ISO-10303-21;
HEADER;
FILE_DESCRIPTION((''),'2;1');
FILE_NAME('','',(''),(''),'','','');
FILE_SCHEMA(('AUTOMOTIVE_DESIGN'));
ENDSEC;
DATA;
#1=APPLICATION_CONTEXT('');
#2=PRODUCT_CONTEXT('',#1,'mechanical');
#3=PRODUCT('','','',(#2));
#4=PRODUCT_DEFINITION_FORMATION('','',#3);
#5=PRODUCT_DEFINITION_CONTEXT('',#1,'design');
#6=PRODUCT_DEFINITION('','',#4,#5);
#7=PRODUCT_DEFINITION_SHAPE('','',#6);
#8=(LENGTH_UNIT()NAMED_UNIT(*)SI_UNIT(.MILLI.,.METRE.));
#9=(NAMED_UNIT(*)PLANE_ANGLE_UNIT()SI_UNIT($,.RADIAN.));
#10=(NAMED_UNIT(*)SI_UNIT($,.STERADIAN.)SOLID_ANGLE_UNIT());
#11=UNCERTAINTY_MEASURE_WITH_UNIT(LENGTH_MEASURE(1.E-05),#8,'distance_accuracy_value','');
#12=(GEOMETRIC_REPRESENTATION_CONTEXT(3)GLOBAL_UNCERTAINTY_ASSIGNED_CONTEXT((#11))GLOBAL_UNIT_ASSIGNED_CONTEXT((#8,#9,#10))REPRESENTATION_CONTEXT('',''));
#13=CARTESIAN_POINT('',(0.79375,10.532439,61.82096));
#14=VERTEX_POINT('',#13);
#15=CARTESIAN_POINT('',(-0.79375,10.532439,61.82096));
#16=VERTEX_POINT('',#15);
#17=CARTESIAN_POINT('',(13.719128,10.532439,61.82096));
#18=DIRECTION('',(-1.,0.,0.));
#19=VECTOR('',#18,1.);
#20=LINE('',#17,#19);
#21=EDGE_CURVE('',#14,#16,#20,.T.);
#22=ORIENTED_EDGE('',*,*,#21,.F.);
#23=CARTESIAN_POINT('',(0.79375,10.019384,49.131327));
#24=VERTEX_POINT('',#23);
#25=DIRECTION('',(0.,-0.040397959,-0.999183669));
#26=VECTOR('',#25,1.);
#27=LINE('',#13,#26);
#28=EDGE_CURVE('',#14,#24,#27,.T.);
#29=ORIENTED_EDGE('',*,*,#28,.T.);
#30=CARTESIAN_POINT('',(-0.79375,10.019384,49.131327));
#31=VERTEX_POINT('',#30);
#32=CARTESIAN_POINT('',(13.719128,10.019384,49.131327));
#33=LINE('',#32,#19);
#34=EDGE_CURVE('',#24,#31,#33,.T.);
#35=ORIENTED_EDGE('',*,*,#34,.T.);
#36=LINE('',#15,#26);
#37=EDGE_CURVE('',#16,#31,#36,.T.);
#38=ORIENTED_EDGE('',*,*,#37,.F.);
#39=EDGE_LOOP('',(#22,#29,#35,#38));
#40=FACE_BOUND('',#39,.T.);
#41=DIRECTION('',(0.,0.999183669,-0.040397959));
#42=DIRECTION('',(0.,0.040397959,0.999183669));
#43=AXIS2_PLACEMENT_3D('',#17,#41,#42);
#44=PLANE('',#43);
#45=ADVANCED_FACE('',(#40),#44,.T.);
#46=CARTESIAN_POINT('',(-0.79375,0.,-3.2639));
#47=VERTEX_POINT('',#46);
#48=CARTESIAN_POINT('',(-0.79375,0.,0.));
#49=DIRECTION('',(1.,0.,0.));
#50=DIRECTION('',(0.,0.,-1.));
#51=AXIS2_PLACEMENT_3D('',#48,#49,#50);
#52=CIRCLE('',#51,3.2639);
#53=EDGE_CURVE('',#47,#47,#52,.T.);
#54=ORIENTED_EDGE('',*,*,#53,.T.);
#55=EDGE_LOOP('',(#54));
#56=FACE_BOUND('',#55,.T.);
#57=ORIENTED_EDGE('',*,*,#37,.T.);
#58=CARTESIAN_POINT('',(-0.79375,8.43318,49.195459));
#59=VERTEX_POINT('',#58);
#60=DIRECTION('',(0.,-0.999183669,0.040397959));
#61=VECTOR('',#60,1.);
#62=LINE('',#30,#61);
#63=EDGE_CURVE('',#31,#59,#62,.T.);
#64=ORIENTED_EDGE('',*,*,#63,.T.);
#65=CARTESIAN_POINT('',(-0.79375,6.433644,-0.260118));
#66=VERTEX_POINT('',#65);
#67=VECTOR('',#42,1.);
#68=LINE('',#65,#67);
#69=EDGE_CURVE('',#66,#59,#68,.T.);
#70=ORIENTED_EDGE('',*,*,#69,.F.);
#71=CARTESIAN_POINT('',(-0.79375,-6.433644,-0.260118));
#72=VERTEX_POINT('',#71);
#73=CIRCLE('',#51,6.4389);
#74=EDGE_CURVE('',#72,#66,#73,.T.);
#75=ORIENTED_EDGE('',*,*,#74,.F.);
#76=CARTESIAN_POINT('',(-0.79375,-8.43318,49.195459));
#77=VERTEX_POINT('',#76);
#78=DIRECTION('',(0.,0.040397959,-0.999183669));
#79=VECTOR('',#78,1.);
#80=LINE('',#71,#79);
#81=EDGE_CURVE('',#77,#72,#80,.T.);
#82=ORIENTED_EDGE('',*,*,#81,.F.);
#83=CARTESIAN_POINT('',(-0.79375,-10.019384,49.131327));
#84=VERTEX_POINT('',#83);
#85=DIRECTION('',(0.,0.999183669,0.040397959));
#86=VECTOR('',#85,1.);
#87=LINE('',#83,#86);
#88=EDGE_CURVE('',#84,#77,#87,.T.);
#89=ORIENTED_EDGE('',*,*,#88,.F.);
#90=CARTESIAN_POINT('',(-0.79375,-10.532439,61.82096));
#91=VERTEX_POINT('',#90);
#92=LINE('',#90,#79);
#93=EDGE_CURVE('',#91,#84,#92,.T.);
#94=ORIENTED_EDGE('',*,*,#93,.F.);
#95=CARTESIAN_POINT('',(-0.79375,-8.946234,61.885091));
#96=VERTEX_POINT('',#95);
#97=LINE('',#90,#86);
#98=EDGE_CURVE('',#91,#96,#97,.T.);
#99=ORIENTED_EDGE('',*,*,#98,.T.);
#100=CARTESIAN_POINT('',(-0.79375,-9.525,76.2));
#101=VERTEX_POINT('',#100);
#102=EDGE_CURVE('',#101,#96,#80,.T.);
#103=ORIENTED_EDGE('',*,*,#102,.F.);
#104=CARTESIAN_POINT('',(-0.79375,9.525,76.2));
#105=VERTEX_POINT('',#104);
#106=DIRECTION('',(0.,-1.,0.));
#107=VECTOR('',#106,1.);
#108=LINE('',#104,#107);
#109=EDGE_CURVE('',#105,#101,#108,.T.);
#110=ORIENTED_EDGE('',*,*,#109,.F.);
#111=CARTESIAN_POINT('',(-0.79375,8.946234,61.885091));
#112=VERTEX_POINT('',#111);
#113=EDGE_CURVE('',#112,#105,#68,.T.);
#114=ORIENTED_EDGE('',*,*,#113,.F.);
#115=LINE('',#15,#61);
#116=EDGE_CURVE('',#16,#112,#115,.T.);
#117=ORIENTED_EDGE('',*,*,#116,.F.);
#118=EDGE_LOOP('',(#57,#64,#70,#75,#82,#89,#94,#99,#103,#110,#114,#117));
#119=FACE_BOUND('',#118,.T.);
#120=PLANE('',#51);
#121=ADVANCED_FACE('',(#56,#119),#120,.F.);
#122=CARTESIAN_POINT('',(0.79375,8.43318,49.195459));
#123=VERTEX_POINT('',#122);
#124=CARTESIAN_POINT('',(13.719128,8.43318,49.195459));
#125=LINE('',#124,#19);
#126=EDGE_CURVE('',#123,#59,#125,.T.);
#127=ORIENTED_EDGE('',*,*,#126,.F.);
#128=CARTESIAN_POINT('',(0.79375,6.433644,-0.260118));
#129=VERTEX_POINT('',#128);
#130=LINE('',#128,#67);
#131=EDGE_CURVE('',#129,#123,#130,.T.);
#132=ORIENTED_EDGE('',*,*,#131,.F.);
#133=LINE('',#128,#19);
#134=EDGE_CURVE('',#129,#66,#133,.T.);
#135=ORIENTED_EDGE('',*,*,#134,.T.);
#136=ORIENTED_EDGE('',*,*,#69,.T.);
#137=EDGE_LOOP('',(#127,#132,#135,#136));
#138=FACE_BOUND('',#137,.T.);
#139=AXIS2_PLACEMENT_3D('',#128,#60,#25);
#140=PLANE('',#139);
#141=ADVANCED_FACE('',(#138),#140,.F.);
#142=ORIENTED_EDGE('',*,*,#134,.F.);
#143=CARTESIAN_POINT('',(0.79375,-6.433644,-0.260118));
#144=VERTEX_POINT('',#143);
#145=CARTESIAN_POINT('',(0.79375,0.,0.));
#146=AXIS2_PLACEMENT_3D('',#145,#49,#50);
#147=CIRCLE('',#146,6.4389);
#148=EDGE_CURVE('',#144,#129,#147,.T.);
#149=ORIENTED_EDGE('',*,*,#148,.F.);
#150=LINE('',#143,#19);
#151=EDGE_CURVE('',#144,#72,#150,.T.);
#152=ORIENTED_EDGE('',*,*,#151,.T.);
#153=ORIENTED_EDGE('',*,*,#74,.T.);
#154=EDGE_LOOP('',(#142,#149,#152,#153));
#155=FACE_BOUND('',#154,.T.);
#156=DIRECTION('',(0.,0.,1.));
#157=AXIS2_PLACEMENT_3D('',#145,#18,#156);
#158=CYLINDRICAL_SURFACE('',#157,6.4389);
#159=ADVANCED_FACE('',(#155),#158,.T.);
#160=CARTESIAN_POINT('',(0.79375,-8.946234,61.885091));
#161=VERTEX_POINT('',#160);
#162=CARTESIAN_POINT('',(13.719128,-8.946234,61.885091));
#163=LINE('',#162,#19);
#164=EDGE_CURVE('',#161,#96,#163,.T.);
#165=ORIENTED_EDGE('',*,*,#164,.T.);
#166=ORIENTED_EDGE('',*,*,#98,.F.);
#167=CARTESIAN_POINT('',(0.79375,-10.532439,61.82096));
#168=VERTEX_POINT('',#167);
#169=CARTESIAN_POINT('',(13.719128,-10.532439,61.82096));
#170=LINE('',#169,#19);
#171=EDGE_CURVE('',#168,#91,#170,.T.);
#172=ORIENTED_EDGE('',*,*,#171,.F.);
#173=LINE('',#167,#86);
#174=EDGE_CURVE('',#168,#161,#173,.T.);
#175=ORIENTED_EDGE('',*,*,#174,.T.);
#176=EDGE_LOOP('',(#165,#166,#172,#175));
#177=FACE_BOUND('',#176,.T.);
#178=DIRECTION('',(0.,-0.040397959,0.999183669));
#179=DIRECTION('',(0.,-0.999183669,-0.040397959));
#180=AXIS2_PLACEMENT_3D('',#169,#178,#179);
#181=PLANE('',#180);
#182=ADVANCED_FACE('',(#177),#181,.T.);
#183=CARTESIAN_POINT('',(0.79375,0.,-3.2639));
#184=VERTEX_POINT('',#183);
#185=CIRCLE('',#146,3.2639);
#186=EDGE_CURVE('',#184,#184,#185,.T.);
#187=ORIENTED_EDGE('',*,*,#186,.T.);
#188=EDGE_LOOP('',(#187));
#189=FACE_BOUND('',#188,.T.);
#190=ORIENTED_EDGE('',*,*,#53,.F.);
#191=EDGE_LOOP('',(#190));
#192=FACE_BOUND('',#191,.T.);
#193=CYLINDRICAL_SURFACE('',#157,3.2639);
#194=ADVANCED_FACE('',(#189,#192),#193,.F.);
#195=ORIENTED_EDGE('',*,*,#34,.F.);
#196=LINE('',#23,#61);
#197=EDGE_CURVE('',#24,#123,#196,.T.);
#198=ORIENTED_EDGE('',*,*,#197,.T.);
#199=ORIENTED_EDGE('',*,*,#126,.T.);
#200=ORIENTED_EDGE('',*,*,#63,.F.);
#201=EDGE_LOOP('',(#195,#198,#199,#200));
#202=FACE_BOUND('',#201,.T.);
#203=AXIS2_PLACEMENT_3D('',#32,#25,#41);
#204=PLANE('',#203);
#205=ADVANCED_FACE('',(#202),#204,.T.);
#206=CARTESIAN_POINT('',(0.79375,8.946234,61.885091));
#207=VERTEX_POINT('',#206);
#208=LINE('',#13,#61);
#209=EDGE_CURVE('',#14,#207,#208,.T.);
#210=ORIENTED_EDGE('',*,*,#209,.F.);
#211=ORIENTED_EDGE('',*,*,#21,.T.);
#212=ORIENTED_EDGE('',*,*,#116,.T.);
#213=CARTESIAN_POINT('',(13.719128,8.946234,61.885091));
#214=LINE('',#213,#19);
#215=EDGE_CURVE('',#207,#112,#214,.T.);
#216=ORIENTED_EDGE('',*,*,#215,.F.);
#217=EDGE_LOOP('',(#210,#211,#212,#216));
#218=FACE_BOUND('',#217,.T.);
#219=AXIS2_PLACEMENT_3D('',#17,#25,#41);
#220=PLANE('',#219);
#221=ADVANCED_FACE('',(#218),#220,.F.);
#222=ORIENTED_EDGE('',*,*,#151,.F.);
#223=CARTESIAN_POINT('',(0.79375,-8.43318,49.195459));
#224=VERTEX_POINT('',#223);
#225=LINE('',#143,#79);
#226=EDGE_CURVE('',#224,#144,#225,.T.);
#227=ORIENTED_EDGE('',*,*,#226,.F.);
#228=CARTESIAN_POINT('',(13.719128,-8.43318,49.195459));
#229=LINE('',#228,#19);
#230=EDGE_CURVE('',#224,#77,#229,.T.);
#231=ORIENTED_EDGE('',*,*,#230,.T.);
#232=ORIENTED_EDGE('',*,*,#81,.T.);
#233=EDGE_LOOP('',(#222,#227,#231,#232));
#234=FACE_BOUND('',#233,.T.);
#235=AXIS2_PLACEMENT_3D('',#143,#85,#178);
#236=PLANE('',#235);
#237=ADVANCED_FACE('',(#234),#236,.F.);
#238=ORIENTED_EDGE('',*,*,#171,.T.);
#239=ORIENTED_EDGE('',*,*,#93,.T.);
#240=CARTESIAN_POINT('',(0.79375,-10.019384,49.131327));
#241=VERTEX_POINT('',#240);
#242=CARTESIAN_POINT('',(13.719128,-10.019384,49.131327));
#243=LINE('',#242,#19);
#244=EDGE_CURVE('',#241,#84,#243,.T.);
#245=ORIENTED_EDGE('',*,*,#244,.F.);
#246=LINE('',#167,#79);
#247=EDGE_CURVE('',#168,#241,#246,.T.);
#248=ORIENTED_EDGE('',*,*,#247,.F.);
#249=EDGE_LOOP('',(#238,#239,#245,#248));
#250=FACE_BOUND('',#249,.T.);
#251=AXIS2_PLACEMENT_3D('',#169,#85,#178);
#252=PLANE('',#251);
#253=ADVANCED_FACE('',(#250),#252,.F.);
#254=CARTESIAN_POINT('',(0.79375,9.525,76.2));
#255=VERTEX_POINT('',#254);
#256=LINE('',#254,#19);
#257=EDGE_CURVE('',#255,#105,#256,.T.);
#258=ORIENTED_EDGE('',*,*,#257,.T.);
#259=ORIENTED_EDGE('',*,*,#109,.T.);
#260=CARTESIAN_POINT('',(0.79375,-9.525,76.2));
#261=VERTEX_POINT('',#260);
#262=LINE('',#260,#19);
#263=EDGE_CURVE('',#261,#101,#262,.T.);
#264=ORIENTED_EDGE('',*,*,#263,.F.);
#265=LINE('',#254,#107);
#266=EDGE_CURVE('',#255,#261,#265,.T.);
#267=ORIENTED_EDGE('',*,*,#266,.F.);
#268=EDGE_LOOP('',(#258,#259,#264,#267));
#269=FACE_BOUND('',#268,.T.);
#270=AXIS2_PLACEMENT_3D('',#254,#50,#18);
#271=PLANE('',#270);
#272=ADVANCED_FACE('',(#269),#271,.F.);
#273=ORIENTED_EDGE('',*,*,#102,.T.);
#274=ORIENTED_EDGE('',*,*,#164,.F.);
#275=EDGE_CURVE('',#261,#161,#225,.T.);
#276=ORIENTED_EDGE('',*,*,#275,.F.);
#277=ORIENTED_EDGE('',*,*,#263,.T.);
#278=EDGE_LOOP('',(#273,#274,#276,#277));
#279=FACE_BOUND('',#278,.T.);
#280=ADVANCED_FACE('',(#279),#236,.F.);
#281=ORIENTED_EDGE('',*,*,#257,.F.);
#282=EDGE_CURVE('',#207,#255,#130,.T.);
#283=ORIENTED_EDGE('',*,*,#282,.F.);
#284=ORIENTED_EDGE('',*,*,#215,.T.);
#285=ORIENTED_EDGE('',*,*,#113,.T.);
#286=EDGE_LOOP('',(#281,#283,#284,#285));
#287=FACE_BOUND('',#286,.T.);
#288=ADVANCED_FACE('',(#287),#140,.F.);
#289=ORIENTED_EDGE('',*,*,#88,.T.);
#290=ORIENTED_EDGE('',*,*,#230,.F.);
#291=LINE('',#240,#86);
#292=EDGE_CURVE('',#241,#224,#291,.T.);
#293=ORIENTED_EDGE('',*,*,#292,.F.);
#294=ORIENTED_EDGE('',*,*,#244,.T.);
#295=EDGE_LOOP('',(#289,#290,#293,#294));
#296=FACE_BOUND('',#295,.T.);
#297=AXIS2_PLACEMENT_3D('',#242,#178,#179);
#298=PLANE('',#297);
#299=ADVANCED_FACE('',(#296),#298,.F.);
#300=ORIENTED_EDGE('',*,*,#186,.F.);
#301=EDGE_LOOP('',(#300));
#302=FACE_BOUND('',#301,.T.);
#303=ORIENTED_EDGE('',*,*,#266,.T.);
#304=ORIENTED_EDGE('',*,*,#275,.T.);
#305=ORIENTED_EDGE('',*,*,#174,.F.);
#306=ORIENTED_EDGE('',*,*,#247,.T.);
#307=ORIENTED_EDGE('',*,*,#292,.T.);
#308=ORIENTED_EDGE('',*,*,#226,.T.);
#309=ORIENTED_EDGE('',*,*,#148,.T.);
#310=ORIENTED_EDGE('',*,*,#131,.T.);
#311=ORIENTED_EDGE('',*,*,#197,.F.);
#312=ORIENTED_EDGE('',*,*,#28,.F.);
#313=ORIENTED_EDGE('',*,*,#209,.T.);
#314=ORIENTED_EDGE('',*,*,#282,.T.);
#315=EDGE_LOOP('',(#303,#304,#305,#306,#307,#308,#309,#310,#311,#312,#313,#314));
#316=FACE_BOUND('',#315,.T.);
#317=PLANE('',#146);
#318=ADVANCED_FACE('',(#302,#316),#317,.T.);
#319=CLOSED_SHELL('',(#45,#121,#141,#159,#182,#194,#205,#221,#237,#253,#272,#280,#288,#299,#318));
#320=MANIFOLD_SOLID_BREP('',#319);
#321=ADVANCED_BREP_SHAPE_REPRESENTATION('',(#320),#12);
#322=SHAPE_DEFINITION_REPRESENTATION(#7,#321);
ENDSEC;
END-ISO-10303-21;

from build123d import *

# Parameters (mm, degrees)
SKETCH1_R           = 3.2639
BOSS_EXTRUDE1_DEPTH = 0.79375
BOSS_EXTRUDE2_DEPTH = 1.5875


with BuildPart() as part:
    # Sketch1 → Boss-Extrude1 (new, symmetric)
    with BuildSketch(Plane(origin=(0, 0, 0), x_dir=(0, 0, -1), z_dir=(1, 0, 0))):
        with BuildLine():
            Line((-76.2, 9.525), (-76.2, -9.525))
            Line((-76.2, -9.525), (0.260118416, -6.433643728))
            ThreePointArc((0.260118416, -6.433643728), (6.4389, 0), (0.260118416, 6.433643728))
            Line((0.260118416, 6.433643728), (-76.2, 9.525))
        make_face()
        Circle(SKETCH1_R, mode=Mode.SUBTRACT)
    extrude(amount=BOSS_EXTRUDE1_DEPTH, both=True)

    # Sketch2 → Boss-Extrude2 (add)
    with BuildSketch(Plane.ZY.offset(0.79375)):
        Polygon((61.8850913, -8.946234446), (49.1954587, -8.433180371), (49.131326941, -10.019384446), (61.82095954, -10.532438521), align=None)
        Polygon((49.131326941, 10.019384446), (49.1954587, 8.433180371), (61.8850913, 8.946234446), (61.82095954, 10.532438521), align=None)
    extrude(amount=-BOSS_EXTRUDE2_DEPTH)


solid = part.part
